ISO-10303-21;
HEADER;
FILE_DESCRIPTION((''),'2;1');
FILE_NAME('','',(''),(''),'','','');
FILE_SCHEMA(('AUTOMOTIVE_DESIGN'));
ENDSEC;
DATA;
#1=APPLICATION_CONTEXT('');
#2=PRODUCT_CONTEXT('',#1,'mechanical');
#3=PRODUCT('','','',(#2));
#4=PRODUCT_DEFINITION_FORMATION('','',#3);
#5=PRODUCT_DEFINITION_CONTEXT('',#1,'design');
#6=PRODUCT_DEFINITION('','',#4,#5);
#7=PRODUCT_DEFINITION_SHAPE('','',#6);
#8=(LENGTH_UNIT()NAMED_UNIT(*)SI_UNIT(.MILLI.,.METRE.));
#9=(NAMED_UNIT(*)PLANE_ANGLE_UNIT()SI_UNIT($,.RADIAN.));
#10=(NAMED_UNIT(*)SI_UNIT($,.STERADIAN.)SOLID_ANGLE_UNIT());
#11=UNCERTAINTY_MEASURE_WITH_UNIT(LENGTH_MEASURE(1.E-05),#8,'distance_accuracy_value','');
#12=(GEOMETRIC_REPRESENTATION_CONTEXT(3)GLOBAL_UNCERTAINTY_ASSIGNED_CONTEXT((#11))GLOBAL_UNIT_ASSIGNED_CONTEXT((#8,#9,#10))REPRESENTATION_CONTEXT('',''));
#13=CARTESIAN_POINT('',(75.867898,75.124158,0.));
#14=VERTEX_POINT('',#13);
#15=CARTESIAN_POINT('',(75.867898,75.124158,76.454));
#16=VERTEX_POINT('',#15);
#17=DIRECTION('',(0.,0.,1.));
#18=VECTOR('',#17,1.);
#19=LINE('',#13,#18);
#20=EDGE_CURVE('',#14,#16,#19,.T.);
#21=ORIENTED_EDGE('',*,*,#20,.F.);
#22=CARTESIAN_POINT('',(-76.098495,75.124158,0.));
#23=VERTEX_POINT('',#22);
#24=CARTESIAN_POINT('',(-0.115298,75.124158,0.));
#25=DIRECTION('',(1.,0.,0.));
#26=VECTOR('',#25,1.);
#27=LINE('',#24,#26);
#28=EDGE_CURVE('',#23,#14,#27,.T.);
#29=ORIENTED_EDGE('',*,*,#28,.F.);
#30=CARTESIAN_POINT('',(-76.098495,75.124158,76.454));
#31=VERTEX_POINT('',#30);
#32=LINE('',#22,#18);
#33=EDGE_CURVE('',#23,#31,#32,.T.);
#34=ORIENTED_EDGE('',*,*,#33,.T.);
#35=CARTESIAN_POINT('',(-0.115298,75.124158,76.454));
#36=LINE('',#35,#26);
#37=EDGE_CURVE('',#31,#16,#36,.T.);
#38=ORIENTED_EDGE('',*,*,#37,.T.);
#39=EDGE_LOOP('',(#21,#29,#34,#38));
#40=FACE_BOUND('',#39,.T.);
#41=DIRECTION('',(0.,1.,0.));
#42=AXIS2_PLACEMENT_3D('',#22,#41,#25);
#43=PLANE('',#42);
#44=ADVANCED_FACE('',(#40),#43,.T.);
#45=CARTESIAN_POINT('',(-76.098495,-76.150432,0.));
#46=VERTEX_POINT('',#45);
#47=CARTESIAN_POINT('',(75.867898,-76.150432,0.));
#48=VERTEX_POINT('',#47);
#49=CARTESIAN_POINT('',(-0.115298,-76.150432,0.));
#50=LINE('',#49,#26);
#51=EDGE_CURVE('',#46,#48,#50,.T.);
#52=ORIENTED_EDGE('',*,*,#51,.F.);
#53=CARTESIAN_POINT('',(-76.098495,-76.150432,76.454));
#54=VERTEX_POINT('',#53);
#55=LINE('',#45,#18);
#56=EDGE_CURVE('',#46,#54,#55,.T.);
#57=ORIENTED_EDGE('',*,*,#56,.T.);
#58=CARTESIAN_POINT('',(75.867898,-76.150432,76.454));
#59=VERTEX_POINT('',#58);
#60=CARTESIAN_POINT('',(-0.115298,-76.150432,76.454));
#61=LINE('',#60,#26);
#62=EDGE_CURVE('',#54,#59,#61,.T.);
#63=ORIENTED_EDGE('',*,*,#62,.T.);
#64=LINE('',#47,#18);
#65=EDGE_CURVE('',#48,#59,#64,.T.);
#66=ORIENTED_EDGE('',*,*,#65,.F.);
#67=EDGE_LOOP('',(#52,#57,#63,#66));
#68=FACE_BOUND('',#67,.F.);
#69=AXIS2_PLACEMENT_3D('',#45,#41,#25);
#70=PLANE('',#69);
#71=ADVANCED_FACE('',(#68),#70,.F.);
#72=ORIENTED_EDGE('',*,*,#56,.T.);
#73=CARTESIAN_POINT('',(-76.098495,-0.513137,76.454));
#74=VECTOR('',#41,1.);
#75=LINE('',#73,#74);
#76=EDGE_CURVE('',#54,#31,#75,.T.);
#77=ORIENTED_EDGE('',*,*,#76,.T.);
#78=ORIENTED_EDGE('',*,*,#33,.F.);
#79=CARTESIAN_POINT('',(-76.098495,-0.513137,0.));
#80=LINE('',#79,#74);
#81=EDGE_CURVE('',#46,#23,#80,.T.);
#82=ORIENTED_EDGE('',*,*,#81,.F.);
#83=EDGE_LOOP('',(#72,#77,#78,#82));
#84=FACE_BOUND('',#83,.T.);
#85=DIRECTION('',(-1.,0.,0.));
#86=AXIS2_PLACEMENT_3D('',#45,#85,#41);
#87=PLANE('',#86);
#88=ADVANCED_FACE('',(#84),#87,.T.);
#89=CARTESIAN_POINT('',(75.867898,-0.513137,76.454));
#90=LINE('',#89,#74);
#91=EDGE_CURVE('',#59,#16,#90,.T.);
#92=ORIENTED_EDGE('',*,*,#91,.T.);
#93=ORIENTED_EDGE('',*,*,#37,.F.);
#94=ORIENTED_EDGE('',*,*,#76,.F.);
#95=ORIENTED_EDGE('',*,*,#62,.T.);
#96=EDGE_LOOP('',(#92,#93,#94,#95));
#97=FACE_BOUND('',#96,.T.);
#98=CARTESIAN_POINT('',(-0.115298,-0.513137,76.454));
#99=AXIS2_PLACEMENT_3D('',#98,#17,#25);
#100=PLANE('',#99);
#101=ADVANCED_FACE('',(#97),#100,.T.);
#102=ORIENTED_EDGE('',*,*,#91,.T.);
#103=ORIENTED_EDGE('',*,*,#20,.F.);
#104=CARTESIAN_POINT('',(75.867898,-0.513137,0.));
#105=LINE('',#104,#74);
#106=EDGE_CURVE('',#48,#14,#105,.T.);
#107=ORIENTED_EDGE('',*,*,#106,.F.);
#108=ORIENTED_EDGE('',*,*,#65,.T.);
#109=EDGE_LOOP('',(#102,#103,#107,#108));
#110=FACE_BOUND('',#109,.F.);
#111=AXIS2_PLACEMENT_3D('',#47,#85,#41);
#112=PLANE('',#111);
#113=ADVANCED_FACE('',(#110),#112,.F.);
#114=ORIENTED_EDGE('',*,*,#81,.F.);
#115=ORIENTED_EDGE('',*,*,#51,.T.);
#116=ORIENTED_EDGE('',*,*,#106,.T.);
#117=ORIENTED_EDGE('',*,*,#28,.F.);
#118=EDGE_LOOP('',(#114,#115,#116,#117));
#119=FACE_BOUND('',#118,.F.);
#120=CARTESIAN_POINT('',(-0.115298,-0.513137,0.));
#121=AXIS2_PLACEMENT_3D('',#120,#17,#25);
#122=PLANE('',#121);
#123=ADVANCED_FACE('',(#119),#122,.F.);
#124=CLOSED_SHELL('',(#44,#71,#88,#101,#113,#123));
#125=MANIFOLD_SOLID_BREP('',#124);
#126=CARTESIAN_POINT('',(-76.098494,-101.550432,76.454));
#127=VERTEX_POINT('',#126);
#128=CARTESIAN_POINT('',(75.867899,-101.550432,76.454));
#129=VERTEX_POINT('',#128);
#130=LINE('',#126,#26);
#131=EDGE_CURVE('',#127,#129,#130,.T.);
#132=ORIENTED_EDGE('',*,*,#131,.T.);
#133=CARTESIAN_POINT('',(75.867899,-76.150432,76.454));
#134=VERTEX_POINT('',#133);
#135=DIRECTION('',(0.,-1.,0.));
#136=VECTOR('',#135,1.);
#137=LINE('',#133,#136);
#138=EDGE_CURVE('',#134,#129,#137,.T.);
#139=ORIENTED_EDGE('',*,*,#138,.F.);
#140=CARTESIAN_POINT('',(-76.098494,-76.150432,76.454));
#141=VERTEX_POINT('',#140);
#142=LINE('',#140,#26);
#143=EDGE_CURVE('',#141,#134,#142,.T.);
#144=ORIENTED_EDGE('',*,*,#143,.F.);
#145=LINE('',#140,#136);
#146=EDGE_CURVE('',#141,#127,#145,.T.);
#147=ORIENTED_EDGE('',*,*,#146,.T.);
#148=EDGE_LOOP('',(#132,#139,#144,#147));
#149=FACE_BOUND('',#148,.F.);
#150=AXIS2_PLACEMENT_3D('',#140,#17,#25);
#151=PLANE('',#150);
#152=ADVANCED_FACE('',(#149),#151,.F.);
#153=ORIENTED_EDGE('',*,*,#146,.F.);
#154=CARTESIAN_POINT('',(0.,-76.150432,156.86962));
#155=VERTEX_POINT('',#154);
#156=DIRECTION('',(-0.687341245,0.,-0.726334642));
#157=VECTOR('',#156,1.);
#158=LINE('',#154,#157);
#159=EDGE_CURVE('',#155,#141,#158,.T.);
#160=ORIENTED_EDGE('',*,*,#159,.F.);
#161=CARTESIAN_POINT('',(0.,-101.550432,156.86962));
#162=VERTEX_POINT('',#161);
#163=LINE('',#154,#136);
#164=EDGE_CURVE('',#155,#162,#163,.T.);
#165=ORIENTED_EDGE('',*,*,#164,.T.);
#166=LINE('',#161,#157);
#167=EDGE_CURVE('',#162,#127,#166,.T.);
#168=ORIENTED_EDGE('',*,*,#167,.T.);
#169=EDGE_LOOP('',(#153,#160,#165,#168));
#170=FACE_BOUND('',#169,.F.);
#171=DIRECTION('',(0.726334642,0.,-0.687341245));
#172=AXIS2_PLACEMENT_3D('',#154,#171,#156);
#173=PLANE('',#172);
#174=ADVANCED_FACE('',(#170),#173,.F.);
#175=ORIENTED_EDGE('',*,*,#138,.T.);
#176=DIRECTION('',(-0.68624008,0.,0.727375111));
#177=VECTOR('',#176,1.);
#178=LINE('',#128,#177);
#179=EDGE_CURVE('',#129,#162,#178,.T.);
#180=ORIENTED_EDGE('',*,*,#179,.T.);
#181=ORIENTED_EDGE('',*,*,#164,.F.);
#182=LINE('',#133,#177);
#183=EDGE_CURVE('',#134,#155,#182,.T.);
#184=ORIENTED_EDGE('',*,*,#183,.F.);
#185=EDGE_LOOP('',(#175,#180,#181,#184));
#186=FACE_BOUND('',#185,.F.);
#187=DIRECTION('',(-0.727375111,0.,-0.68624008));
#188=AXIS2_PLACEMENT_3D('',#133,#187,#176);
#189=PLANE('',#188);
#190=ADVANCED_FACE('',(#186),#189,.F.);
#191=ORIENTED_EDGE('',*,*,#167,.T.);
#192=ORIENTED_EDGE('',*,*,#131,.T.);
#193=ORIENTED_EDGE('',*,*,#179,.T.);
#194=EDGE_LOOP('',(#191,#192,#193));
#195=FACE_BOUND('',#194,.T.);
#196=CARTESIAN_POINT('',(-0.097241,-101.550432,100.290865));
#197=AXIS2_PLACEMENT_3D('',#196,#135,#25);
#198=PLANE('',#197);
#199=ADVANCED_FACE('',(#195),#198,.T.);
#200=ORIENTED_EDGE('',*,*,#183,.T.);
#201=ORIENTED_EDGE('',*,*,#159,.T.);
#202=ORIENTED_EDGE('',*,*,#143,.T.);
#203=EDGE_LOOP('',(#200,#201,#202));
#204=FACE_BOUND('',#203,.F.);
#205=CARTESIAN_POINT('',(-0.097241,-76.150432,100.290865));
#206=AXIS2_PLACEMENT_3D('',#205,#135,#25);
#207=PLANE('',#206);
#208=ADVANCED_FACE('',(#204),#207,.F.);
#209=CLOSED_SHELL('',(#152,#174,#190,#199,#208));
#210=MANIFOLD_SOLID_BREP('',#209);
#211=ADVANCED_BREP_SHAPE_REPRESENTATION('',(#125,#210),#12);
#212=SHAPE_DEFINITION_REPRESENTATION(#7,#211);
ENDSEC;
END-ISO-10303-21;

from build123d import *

# Parameters (mm, degrees)
F0_W     = 151.966393
F0_H     = 151.274591
F1_DEPTH = 76.454
F3_DEPTH = 25.4


with BuildPart() as f1:
    # F0 (on Top) → F1 (new body)
    with BuildSketch(Plane.XY):
        with Locations((-0.115298, -0.513137)):
            Rectangle(F0_W, F0_H)
    extrude(amount=F1_DEPTH)


with BuildPart() as f3:
    # F2 (on face) → F3 (new body)
    with BuildSketch(Plane.XZ.offset(76.150432)):
        Polygon((0, 156.86962), (-76.098494, 76.454), (75.867899, 76.454), align=None)
    extrude(amount=F3_DEPTH)


solid = Compound([f1.part, f3.part])
